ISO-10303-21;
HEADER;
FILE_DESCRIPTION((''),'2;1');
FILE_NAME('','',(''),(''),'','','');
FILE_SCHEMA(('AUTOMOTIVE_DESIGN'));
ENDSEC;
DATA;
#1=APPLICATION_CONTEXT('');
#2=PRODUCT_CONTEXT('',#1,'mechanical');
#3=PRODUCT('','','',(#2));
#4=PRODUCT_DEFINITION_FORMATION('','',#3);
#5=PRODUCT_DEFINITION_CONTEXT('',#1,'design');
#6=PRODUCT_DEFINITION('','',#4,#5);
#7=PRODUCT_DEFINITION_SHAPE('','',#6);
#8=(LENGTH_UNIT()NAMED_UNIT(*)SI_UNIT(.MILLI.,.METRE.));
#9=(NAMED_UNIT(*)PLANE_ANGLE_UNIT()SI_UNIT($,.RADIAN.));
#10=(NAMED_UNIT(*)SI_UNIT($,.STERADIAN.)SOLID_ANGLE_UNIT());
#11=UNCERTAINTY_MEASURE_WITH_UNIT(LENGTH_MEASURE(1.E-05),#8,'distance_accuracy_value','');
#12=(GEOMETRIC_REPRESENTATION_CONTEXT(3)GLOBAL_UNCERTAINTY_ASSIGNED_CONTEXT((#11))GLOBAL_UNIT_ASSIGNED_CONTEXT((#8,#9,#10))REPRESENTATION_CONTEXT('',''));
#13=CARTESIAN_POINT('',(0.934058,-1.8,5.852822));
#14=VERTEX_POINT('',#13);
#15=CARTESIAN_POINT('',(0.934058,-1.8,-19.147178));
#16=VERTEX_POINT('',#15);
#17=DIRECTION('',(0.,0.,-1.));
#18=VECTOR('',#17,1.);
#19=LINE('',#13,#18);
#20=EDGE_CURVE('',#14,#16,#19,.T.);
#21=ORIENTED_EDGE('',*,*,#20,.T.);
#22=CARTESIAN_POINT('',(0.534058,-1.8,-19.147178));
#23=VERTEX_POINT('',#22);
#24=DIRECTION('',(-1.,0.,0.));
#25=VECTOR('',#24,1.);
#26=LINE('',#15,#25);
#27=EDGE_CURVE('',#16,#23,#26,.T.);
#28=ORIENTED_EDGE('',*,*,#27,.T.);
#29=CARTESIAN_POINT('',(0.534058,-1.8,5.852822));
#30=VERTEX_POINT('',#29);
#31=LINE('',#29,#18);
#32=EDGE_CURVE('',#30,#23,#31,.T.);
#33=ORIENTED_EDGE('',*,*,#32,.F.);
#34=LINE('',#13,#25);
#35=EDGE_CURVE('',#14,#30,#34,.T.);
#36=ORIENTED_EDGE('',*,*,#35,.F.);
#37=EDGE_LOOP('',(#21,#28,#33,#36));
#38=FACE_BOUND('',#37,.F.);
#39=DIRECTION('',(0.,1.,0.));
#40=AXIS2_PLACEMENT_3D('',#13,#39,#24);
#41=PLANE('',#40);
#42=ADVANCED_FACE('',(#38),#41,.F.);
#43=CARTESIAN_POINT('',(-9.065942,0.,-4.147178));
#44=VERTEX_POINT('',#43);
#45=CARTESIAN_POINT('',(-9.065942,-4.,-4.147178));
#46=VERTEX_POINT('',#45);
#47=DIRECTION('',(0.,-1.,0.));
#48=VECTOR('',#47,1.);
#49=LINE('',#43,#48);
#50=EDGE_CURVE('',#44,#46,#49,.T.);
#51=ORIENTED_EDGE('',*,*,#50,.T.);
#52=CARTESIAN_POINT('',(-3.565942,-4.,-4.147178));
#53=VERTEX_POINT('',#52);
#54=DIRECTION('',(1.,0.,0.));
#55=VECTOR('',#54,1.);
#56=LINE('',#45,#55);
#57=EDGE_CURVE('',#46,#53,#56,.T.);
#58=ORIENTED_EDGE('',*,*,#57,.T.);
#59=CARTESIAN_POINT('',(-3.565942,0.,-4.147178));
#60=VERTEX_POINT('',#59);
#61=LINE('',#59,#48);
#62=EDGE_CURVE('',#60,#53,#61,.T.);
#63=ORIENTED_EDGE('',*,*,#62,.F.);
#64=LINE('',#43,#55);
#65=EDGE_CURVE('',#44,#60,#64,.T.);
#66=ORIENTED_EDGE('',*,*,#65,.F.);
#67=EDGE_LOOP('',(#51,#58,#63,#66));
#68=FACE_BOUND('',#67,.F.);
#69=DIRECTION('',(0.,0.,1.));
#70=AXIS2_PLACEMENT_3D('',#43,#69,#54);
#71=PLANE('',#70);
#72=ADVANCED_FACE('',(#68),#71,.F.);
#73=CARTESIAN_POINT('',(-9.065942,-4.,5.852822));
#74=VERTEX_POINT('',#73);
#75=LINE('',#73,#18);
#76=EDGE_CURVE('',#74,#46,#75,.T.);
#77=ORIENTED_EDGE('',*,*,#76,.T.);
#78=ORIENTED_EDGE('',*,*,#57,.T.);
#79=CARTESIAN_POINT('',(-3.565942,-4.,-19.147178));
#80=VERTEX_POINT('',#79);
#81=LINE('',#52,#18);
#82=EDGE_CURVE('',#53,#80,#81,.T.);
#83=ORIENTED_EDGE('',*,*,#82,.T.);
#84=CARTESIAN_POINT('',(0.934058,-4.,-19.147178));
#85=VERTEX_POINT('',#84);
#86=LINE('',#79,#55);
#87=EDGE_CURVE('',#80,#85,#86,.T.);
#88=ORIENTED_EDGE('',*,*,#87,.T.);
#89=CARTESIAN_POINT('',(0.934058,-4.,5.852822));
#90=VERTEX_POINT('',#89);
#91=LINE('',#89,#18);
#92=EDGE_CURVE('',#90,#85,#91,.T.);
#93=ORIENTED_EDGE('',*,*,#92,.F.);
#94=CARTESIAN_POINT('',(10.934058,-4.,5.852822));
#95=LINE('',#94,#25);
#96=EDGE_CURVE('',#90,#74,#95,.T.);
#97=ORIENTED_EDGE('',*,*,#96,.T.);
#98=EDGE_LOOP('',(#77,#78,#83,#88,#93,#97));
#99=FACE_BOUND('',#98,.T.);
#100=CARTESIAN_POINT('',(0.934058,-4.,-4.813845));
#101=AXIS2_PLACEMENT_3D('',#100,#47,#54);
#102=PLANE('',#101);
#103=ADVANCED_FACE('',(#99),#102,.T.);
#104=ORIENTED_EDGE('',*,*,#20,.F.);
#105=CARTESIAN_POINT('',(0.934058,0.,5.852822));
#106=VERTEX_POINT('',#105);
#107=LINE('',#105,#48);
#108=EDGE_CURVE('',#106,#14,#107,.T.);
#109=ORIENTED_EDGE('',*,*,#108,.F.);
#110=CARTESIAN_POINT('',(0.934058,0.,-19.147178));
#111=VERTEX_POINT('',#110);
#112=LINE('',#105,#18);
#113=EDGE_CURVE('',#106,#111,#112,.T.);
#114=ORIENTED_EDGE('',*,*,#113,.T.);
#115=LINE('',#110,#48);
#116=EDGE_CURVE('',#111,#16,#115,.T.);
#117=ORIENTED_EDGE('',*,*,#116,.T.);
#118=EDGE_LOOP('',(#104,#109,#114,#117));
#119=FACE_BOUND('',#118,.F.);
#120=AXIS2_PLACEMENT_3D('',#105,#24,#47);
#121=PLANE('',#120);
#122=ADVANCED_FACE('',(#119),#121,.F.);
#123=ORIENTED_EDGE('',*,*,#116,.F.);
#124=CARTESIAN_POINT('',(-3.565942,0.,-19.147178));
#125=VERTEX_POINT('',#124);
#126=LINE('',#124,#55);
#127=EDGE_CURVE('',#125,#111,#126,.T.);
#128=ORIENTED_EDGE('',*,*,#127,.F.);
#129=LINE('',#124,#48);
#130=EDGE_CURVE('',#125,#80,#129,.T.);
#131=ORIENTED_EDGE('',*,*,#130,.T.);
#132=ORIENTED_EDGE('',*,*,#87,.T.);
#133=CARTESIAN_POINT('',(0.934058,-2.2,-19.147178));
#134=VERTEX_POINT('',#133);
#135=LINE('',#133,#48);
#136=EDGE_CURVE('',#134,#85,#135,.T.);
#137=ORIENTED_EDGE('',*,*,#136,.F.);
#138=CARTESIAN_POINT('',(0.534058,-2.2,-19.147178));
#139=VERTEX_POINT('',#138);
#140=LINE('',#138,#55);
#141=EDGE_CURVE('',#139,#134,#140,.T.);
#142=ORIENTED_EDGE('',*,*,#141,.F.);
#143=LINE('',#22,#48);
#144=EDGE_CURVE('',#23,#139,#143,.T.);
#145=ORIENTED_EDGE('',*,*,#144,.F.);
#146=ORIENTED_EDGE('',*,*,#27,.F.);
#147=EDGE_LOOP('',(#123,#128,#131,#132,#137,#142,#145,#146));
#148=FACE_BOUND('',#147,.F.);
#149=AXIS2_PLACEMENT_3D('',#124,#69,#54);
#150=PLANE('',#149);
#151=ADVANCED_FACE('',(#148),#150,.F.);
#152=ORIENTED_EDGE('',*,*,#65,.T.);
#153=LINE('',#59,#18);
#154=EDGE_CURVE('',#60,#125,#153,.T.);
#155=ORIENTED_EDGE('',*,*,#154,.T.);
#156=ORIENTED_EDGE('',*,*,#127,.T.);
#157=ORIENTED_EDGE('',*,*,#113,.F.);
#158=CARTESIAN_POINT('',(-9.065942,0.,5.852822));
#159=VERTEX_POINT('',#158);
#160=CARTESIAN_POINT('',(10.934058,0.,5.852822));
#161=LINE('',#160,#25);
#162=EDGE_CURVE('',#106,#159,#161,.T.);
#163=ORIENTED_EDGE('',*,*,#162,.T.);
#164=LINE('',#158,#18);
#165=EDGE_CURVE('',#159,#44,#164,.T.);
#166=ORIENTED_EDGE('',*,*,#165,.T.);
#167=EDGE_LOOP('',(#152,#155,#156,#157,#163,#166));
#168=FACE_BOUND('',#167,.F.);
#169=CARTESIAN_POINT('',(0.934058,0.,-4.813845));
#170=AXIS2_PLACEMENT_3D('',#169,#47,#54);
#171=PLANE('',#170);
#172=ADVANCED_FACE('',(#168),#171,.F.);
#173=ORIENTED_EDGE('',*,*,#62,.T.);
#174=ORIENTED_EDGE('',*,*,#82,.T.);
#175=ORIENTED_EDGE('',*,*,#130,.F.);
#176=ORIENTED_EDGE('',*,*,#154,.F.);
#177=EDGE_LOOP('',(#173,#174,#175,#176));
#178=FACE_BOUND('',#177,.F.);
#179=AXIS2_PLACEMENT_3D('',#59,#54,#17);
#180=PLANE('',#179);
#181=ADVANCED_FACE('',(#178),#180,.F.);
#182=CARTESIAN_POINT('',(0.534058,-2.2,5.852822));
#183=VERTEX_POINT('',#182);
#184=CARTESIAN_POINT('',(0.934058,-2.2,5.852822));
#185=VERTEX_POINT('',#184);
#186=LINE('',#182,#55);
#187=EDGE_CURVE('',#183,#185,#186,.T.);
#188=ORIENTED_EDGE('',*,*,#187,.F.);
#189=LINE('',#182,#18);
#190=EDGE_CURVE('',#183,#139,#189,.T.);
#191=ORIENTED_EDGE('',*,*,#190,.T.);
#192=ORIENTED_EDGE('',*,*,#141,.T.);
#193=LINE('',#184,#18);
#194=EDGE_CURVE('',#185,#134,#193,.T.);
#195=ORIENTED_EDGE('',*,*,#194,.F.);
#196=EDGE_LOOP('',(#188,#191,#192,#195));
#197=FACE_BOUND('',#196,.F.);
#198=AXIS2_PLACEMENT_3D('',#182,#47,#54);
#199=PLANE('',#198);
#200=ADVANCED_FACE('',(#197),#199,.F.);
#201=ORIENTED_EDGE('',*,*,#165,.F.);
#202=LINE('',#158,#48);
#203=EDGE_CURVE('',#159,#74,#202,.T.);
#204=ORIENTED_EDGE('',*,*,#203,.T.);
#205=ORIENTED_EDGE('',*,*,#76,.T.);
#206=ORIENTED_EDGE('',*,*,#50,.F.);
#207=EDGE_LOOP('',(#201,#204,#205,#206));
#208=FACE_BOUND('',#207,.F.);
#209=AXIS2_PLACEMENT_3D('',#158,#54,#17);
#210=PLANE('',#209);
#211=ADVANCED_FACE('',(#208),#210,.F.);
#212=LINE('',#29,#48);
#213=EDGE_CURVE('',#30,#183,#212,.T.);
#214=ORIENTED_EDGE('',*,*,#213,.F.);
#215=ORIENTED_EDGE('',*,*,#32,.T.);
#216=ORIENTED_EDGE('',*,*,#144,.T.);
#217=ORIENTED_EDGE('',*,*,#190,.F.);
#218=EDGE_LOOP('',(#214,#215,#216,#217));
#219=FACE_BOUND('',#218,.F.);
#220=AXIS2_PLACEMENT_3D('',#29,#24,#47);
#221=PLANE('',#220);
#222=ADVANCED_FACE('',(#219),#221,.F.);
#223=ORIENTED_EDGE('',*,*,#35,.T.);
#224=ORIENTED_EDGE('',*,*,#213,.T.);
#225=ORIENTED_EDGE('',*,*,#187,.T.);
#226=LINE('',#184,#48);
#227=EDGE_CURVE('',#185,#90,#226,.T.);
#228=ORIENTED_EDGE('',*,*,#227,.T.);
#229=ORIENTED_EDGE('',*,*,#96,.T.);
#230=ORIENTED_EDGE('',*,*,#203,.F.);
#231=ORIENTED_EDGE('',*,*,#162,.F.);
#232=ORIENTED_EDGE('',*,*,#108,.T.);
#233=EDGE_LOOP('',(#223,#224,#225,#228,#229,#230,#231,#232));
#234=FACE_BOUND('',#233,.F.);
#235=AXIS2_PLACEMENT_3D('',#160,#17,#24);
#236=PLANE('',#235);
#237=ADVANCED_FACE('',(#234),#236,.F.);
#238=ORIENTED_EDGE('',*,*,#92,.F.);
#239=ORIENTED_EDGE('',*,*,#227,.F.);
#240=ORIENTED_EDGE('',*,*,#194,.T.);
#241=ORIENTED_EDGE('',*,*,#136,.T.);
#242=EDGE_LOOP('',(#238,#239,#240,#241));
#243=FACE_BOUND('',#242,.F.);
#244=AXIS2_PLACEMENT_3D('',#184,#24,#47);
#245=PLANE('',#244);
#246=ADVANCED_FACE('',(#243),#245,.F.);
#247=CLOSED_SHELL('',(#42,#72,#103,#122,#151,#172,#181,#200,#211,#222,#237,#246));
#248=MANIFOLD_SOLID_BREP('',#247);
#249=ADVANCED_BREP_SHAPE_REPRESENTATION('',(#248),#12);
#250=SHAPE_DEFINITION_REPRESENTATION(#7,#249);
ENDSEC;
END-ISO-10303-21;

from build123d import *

# Parameters (mm, degrees)
F1_DEPTH = 4
F3_DEPTH = 25


with BuildPart() as f1:
    # F0 (on Front) → F1 (new body)
    with BuildSketch(Plane.XZ):
        Polygon((10.934058, -4.147178), (10.934058, 5.852822), (2.934058, 5.852822), (-1.065942, 5.852822), (-9.065942, 5.852822), (-9.065942, -4.147178), (-3.565942, -4.147178), (-3.565942, -19.147178), (5.434058, -19.147178), (5.434058, -4.147178), align=None)
    extrude(amount=F1_DEPTH)

    # F2 (on face) → F3 (cut)
    with BuildSketch(Plane.XY.offset(5.852822)):
        Polygon((10.934058, -4), (10.934058, 0), (0.934058, 0), (0.934058, -1.8), (0.534058, -1.8), (0.534058, -2.2), (0.934058, -2.2), (0.934058, -4), align=None)
    extrude(amount=-F3_DEPTH, mode=Mode.SUBTRACT)


solid = f1.part
